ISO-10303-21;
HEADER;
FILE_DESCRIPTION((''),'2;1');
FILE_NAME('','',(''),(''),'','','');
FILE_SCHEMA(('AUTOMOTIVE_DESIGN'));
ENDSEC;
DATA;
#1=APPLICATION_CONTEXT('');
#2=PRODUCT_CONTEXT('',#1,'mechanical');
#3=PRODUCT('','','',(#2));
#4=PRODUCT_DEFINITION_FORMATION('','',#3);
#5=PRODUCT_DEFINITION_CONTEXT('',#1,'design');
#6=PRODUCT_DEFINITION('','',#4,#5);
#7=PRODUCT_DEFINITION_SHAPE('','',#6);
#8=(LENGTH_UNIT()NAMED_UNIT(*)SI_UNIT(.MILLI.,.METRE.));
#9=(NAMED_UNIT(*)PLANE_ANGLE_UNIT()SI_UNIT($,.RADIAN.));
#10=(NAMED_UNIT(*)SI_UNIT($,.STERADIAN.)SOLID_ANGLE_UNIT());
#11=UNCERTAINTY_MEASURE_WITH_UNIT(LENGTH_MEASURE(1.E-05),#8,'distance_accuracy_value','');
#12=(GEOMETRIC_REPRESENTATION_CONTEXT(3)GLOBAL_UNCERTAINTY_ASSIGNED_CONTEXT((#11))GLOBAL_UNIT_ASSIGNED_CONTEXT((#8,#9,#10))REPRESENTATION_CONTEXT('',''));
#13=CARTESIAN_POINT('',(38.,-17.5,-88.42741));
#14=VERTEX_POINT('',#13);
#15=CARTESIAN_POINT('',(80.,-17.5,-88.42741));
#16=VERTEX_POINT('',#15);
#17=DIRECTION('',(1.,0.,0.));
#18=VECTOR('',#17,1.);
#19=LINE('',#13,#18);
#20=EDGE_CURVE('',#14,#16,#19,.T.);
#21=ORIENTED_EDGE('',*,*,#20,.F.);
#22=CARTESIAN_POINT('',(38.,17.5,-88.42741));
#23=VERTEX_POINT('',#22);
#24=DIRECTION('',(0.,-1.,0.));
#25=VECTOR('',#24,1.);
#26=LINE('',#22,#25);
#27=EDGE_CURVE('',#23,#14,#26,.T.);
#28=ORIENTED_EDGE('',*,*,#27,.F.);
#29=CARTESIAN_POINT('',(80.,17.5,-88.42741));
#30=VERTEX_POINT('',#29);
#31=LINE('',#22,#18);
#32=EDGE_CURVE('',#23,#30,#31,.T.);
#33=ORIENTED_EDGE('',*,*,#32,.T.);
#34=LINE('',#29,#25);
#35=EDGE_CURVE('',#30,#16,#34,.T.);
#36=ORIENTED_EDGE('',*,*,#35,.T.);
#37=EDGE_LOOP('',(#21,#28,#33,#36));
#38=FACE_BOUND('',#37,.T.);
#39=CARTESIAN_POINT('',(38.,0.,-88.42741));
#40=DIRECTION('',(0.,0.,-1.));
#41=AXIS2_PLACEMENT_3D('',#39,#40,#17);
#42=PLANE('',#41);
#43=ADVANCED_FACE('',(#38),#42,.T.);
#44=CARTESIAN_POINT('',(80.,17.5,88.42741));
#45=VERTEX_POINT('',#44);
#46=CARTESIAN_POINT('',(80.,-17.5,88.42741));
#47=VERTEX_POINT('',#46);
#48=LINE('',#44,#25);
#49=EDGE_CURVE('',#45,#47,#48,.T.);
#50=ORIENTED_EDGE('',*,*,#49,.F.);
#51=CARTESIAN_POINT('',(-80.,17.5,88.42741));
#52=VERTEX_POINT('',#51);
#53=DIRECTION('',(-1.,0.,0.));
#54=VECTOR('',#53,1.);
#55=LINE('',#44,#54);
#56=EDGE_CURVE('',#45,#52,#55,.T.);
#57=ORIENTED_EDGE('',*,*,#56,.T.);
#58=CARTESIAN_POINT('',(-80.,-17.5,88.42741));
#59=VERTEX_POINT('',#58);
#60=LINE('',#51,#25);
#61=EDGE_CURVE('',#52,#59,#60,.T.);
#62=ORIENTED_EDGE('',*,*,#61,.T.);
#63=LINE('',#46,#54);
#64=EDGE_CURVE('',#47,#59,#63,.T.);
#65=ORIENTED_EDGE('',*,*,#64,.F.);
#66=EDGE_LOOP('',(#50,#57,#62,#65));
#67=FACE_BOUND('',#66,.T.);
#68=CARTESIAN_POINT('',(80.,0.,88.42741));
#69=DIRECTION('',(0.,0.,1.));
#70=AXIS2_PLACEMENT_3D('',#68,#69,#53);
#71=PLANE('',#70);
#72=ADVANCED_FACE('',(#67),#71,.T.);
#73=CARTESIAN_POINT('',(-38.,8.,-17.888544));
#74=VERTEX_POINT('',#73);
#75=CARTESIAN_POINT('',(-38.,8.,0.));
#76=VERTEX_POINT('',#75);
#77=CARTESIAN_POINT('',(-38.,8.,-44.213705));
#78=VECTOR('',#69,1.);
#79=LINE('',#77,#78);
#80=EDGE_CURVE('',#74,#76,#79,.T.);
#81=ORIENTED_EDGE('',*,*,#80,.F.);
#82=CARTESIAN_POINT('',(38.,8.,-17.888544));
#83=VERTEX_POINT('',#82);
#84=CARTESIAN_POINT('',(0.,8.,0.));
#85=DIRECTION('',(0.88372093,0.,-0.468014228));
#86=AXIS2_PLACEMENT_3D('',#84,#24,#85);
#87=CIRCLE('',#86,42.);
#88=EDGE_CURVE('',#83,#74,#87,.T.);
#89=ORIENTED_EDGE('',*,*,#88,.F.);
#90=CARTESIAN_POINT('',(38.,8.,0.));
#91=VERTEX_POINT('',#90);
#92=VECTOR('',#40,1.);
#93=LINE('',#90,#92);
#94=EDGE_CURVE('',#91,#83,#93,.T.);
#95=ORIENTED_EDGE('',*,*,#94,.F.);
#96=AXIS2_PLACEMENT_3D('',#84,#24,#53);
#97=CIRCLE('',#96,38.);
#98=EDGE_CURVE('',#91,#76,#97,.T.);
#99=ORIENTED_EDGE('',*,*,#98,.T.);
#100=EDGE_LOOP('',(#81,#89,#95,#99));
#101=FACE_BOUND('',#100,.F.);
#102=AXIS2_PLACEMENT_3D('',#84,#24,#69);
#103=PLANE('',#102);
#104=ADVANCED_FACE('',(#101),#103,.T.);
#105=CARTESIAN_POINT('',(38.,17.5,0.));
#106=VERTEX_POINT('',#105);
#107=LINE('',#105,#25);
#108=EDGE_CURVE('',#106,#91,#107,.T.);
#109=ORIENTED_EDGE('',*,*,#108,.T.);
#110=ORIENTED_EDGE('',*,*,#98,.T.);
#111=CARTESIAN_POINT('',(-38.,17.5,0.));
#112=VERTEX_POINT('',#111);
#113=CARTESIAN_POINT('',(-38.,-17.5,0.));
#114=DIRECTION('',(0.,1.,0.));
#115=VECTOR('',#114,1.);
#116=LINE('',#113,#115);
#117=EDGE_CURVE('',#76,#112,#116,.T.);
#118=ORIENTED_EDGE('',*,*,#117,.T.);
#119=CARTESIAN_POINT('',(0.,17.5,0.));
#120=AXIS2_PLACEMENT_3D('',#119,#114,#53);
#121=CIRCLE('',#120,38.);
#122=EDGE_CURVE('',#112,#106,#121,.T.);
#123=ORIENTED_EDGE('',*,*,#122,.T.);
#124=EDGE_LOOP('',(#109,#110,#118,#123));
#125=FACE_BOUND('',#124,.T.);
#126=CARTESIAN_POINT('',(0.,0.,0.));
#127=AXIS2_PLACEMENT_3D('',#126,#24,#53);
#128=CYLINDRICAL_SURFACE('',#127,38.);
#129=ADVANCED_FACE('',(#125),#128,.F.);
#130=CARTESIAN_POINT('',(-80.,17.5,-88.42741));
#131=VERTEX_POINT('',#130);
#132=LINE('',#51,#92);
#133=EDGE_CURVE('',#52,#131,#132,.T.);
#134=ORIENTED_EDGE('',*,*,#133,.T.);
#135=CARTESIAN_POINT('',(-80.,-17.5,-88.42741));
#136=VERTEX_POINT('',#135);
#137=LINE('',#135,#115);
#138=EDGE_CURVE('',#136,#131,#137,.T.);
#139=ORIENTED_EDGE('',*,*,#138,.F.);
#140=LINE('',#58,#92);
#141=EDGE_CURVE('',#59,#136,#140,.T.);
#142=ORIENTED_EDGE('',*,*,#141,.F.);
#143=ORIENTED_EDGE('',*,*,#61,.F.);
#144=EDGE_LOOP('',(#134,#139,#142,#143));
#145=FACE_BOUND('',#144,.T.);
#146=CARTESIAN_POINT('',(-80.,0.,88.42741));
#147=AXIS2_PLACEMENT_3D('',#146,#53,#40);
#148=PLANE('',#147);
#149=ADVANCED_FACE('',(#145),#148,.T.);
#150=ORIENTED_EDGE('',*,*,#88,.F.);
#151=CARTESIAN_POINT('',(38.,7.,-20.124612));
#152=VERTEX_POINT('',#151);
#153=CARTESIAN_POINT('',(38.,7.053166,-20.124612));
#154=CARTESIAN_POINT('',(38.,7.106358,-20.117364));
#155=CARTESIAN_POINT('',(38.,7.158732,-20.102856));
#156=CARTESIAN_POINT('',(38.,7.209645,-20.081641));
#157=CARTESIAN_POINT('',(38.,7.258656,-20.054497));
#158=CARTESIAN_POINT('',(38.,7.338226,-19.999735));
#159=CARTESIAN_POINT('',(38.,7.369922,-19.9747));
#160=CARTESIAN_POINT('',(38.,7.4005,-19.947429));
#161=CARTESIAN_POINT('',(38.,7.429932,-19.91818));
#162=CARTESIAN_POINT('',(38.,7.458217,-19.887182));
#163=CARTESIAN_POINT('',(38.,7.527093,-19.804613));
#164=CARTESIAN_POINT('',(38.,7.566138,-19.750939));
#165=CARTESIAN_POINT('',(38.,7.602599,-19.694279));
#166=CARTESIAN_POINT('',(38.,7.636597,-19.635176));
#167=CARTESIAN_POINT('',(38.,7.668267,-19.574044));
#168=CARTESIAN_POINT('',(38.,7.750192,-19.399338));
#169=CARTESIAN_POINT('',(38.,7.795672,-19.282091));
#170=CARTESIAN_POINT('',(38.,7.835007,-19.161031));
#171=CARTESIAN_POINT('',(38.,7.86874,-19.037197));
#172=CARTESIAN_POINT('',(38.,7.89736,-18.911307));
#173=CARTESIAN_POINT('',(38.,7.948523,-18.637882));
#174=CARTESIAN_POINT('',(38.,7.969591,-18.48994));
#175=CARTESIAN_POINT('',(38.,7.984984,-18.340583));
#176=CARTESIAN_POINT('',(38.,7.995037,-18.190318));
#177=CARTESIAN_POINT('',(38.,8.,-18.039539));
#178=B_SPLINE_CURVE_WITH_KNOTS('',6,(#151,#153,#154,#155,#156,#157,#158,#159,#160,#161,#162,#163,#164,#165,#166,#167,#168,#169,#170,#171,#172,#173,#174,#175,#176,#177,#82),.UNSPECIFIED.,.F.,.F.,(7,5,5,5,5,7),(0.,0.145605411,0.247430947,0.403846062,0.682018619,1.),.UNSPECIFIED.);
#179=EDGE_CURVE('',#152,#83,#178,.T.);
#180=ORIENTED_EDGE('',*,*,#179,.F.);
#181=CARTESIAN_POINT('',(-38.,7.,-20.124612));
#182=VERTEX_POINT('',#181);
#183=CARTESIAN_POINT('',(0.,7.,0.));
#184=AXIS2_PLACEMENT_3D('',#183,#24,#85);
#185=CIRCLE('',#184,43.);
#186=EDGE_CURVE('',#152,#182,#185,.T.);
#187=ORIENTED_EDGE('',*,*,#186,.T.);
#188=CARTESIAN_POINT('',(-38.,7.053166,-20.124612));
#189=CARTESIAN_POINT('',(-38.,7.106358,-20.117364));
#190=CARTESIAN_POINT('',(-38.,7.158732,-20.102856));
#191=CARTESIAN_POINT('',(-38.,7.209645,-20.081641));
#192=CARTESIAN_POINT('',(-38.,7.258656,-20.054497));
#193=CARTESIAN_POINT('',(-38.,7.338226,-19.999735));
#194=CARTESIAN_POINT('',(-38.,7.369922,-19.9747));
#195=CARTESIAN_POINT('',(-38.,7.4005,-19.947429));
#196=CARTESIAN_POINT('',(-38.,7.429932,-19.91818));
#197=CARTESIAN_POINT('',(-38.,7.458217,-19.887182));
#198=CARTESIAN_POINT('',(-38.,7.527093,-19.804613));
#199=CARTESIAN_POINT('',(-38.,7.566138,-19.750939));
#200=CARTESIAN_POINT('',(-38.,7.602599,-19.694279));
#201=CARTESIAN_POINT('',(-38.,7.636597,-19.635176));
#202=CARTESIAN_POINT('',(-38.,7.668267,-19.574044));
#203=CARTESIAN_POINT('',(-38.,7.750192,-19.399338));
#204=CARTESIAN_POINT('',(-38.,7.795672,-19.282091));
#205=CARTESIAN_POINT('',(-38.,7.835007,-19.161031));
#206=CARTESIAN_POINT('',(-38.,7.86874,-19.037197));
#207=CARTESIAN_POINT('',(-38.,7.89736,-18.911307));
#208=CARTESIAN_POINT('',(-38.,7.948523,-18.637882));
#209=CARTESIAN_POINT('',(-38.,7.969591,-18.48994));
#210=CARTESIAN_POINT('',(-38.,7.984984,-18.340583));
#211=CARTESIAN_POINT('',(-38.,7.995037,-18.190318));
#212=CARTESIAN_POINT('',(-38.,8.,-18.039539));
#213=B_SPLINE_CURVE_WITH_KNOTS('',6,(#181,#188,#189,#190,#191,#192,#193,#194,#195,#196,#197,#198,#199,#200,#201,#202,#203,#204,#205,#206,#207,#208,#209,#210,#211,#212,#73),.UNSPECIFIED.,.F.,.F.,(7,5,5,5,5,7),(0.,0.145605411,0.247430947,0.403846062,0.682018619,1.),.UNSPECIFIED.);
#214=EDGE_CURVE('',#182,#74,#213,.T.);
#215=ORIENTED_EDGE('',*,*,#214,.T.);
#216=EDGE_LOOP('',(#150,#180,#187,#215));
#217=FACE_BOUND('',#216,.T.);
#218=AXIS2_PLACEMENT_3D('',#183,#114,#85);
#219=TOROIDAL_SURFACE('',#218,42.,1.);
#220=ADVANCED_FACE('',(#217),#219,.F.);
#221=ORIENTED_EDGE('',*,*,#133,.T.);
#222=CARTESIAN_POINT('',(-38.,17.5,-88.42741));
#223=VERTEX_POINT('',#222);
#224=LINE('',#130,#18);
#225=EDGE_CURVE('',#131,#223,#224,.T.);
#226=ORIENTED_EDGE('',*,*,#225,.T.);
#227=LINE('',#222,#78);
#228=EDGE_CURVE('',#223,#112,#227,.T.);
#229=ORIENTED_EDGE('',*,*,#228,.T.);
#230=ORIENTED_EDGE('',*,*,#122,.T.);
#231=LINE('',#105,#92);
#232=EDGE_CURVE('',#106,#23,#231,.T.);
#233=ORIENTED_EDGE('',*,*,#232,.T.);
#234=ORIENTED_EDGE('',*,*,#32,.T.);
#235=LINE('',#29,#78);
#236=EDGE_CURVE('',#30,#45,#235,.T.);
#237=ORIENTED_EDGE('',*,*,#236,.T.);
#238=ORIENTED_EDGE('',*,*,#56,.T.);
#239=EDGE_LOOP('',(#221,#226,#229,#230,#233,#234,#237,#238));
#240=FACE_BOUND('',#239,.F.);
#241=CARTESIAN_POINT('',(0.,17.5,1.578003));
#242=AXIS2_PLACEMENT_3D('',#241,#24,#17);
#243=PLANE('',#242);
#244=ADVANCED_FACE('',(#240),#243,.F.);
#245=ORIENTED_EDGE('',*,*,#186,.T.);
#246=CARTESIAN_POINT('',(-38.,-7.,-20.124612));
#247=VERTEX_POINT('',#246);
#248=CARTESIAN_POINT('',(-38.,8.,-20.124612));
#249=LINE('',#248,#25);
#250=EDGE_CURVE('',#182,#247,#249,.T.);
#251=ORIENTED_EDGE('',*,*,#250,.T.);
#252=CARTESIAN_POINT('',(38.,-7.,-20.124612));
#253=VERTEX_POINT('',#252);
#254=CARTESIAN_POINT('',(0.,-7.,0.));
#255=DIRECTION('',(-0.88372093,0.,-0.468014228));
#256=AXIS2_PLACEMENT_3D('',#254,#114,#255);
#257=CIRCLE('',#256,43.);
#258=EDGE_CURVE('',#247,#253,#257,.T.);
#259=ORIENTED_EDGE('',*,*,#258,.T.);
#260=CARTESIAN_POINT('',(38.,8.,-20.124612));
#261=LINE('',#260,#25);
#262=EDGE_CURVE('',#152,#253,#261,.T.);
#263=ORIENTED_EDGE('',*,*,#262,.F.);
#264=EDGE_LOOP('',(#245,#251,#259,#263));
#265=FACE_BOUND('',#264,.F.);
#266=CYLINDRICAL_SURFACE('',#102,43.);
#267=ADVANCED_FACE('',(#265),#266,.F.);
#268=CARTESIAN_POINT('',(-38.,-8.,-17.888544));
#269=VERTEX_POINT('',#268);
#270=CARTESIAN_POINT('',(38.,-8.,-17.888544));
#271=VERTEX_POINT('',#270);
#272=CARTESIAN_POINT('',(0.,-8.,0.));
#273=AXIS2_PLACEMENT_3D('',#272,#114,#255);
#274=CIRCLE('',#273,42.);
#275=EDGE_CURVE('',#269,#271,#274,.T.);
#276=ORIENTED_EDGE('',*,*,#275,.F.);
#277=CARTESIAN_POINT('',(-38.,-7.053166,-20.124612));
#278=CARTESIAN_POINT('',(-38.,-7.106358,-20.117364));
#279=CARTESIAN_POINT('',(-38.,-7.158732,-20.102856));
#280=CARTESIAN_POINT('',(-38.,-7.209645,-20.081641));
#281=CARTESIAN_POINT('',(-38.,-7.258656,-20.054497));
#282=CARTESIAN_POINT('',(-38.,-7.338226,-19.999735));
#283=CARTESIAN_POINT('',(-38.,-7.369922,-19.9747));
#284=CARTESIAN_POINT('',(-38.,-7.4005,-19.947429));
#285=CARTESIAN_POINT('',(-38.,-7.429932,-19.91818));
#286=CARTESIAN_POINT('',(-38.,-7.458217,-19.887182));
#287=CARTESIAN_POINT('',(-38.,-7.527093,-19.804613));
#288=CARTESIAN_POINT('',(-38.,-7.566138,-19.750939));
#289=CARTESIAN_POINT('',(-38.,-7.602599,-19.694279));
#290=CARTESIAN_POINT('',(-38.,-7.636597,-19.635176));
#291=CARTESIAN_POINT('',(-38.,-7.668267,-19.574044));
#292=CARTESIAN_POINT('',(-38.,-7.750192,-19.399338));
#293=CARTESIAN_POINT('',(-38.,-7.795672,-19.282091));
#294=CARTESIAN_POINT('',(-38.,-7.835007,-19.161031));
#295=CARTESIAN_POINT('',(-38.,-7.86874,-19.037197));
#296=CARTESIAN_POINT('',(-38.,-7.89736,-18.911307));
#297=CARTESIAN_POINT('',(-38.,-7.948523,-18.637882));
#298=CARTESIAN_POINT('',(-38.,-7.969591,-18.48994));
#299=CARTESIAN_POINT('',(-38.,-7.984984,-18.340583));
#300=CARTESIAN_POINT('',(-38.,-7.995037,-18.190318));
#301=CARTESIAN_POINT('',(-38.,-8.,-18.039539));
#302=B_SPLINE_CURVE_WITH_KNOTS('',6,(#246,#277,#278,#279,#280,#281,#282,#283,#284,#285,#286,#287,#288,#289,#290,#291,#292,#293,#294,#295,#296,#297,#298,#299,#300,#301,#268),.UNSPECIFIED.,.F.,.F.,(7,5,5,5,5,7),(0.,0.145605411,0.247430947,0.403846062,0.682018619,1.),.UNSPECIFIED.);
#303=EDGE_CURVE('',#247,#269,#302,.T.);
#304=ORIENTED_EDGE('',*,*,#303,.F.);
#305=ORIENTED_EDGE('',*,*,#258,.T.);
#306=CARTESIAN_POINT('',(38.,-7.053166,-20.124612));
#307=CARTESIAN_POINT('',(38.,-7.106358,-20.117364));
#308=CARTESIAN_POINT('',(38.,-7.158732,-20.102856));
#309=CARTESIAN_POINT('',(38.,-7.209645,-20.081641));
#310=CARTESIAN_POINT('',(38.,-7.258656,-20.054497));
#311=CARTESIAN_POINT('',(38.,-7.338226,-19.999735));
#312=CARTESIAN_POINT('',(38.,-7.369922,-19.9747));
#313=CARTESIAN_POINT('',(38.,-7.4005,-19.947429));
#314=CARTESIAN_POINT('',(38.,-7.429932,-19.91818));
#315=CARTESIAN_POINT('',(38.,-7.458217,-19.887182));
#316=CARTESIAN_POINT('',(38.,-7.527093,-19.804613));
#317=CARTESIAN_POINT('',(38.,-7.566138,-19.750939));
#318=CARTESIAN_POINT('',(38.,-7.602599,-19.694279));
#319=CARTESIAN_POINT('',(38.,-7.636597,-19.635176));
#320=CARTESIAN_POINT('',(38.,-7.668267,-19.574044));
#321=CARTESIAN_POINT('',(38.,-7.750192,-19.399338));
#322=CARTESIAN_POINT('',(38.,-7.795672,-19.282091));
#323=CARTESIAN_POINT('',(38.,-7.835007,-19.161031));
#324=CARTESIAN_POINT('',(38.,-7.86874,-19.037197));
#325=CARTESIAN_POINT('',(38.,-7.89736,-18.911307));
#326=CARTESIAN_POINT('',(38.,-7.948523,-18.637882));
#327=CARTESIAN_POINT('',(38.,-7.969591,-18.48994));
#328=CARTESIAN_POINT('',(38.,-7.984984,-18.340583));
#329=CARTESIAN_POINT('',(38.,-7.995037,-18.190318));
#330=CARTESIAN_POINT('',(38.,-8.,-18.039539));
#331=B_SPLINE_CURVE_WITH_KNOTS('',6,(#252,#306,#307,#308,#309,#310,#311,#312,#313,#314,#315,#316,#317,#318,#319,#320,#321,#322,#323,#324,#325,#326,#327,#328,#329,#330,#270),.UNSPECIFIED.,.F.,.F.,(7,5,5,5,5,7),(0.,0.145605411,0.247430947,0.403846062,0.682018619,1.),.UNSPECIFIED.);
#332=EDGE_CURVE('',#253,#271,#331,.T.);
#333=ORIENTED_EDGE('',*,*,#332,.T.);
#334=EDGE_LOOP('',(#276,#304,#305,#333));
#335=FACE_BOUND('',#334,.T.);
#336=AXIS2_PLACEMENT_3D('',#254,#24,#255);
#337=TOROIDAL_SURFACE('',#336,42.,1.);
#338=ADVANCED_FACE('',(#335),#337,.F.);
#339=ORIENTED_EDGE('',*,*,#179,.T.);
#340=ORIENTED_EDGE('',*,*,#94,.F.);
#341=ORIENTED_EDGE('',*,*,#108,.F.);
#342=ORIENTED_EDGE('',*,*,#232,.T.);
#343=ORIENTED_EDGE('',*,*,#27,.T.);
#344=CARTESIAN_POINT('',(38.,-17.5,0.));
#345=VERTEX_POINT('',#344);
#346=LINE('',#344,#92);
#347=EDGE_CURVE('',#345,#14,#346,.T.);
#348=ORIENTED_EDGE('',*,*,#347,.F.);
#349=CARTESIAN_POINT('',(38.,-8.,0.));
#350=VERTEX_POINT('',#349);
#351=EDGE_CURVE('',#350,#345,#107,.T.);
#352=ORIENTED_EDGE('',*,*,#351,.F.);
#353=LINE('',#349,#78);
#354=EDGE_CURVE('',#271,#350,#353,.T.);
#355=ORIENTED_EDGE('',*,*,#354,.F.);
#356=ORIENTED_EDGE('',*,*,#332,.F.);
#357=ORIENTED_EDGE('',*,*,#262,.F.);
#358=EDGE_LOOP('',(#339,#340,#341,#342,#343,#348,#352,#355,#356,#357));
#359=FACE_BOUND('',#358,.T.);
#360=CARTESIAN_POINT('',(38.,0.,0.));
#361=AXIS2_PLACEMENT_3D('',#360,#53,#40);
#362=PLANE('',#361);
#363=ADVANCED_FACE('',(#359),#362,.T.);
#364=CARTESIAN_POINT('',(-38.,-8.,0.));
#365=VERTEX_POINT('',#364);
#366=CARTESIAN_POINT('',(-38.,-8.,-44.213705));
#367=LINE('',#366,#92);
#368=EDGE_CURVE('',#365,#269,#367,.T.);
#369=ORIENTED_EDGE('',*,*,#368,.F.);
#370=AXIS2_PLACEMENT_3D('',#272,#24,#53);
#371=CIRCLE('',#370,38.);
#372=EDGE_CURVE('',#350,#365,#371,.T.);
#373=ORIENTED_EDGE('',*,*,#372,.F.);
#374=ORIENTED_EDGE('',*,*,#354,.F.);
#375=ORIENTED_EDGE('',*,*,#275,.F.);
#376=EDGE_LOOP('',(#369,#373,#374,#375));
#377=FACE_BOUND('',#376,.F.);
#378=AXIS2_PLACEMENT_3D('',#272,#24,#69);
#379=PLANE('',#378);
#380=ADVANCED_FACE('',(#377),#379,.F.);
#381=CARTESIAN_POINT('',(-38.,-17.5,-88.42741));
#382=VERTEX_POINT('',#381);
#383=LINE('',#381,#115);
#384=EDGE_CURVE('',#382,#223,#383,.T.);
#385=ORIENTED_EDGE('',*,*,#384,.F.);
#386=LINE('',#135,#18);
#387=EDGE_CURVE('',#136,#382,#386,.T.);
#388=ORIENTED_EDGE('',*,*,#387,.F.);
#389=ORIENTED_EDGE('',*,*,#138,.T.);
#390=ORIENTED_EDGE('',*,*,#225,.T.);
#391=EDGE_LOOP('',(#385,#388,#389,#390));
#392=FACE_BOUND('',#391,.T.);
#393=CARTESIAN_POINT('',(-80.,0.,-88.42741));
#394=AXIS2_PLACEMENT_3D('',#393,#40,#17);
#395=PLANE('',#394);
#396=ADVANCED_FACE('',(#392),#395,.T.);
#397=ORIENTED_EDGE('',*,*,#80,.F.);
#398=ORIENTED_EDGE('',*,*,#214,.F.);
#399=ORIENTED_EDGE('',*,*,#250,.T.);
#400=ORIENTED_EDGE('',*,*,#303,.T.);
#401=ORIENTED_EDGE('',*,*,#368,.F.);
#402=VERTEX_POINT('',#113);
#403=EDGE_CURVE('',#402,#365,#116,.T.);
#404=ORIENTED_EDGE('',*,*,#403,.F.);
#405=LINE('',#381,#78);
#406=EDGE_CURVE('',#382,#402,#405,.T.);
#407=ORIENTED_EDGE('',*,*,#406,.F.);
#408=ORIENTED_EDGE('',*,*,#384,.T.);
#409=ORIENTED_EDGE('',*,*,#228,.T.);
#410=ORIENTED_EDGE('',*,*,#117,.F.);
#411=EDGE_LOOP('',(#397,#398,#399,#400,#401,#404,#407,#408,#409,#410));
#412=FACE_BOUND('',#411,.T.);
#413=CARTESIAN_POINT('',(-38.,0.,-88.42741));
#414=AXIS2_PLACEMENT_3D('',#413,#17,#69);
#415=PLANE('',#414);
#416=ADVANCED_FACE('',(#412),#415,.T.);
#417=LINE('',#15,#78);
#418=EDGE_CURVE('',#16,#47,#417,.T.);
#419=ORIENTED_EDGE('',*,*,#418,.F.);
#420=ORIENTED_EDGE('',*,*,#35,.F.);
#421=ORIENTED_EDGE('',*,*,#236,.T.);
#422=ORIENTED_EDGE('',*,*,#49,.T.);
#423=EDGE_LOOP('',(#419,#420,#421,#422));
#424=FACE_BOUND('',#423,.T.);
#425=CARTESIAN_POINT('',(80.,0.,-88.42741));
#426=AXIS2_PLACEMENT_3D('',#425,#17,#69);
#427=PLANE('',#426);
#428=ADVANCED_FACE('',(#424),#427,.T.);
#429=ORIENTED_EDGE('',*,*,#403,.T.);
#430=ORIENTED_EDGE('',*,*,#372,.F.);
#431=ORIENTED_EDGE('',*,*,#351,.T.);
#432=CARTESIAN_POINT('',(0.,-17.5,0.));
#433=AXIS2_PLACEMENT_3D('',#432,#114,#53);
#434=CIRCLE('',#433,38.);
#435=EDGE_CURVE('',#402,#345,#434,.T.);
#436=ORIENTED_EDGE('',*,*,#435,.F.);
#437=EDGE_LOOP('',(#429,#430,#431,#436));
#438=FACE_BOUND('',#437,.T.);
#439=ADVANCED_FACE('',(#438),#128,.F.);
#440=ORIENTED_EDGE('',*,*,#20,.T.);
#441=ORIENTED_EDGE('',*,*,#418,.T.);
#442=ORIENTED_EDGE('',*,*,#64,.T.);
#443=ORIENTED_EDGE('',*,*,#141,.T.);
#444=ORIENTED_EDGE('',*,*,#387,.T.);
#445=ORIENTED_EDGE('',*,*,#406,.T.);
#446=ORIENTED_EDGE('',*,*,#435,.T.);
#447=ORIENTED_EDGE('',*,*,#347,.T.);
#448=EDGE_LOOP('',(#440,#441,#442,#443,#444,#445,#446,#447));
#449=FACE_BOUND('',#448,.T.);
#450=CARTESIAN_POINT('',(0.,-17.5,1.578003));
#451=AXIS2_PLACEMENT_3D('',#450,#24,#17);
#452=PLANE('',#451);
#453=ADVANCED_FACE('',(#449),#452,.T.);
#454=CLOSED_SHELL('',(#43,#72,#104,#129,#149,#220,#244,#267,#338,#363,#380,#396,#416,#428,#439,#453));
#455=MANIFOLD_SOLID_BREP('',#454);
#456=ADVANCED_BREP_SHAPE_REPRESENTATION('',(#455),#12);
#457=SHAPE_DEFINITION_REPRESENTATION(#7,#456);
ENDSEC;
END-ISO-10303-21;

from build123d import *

# Parameters (mm, degrees)
F1_DEPTH = 17.5
F4_R     = 1
F5_R     = 1


with BuildPart() as f1:
    # F0 (on Front) → F1 (new body, symmetric)
    with BuildSketch(Plane.XZ):
        with BuildLine():
            ThreePointArc((-38, 0), (0, 38), (38, 0))
            Line((38, 0), (38, -88.42741))
            Line((38, -88.42741), (80, -88.42741))
            Line((80, -88.42741), (80, 88.42741))
            Line((80, 88.42741), (-80, 88.42741))
            Line((-80, 88.42741), (-80, -88.42741))
            Line((-80, -88.42741), (-38, -88.42741))
            Line((-38, -88.42741), (-38, 0))
        make_face()
    extrude(amount=F1_DEPTH, both=True)

    # F2 (on Right) → F3 (revolve, cut)
    with BuildSketch(Plane.YZ):
        Polygon((-8, 43), (-8, 32.880556), (8, 32.880556), (8, 43), (0, 43), align=None)
    revolve(axis=Axis((0, 0, 0), (0, -1, 0)), mode=Mode.SUBTRACT)

    # F4
    f4_edges = [f1.edges().sort_by_distance(p)[0] for p in [
        (0, 8, 43),
    ]]
    fillet(f4_edges, radius=F4_R)

    # F5
    f5_edges = [f1.edges().sort_by_distance(p)[0] for p in [
        (0, -8, 43),
    ]]
    fillet(f5_edges, radius=F5_R)


solid = f1.part
